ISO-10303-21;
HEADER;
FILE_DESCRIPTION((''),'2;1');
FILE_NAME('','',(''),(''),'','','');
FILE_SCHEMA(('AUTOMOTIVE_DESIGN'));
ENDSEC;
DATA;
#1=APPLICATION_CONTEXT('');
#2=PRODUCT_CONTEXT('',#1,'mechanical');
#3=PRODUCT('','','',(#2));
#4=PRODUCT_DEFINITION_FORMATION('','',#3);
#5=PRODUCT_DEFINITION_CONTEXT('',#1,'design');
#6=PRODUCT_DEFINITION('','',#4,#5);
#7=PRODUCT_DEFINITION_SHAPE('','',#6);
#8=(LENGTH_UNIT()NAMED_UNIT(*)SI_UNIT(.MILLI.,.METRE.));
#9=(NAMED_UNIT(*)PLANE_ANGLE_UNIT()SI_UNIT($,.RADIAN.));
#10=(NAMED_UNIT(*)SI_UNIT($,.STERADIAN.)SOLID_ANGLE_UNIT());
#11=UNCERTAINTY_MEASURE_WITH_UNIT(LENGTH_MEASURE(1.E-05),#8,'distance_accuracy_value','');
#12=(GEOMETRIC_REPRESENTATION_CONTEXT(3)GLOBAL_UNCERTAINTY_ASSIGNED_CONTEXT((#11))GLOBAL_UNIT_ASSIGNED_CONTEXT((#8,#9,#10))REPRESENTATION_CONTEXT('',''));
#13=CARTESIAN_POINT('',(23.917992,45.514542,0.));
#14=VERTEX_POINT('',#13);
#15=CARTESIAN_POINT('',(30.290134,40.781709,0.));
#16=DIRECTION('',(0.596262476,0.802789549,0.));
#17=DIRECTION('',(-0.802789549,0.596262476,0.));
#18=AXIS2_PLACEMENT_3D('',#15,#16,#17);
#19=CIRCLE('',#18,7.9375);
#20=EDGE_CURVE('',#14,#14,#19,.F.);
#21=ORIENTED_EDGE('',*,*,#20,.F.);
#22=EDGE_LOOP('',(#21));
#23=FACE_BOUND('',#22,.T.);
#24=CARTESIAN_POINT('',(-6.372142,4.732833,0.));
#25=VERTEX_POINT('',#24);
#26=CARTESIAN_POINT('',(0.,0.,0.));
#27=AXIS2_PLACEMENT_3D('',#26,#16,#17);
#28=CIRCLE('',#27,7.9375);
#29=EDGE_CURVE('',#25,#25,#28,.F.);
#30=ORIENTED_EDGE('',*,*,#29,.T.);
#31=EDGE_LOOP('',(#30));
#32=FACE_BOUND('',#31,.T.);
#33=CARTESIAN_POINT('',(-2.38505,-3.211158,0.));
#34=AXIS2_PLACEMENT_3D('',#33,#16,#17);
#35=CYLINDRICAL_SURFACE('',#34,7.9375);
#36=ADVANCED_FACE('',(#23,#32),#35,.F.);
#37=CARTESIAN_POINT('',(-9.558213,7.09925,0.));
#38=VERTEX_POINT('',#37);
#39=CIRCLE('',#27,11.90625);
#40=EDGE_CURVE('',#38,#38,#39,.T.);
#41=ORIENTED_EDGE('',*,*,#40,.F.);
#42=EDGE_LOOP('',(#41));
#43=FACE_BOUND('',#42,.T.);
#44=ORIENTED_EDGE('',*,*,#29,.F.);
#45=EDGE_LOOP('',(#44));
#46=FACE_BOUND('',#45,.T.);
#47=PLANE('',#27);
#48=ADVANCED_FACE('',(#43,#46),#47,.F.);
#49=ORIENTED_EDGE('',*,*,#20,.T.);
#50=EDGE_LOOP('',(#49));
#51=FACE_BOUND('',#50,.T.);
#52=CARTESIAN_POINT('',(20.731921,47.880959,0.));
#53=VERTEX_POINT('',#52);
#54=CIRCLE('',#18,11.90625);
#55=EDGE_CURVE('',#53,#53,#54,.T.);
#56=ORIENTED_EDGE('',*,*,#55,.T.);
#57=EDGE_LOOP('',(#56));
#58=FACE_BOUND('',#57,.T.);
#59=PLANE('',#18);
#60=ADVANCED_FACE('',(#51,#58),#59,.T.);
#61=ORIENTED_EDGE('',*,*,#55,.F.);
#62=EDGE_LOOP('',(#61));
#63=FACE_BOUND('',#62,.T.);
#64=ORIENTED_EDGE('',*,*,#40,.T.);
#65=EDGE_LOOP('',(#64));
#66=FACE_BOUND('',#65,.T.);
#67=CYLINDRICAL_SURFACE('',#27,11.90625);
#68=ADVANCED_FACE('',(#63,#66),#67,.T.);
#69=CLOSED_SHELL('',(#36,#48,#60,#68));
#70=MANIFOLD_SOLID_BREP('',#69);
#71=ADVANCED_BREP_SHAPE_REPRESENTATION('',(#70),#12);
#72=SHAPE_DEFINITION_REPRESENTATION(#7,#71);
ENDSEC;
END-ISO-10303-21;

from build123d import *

# Parameters (mm, degrees)
SWEEP1_PROFILE_R     = 11.90625
CUT_SWEEP1_PROFILE_R = 7.9375


with BuildPart() as part:
    # Sweep1: sweep along a curve in space
    with BuildLine() as sweep1_path:
        Line((0, 0, 0), (30.290133782, 40.78170908, 0))
    # Sweep1 profile (on start of the path) → Sweep1 (sweep)
    with BuildSketch(Plane(origin=(0, 0, 0), x_dir=(0.8027895488189021, -0.5962624760180233, 0), z_dir=(0.5962624760180233, 0.8027895488189021, 0))):
        Circle(SWEEP1_PROFILE_R)
    sweep(path=sweep1_path.line)

    # Cut-Sweep1: sweep along a curve in space
    with BuildLine() as cut_sweep1_path:
        Line((0, 0, 0), (30.290133782, 40.78170908, 0))
    # Cut-Sweep1 profile (on start of the path) → Cut-Sweep1 (sweep, cut)
    with BuildSketch(Plane(origin=(0, 0, 0), x_dir=(0.8027895488189021, -0.5962624760180233, 0), z_dir=(0.5962624760180233, 0.8027895488189021, 0))):
        Circle(CUT_SWEEP1_PROFILE_R)
    sweep(path=cut_sweep1_path.line, mode=Mode.SUBTRACT)


solid = part.part
